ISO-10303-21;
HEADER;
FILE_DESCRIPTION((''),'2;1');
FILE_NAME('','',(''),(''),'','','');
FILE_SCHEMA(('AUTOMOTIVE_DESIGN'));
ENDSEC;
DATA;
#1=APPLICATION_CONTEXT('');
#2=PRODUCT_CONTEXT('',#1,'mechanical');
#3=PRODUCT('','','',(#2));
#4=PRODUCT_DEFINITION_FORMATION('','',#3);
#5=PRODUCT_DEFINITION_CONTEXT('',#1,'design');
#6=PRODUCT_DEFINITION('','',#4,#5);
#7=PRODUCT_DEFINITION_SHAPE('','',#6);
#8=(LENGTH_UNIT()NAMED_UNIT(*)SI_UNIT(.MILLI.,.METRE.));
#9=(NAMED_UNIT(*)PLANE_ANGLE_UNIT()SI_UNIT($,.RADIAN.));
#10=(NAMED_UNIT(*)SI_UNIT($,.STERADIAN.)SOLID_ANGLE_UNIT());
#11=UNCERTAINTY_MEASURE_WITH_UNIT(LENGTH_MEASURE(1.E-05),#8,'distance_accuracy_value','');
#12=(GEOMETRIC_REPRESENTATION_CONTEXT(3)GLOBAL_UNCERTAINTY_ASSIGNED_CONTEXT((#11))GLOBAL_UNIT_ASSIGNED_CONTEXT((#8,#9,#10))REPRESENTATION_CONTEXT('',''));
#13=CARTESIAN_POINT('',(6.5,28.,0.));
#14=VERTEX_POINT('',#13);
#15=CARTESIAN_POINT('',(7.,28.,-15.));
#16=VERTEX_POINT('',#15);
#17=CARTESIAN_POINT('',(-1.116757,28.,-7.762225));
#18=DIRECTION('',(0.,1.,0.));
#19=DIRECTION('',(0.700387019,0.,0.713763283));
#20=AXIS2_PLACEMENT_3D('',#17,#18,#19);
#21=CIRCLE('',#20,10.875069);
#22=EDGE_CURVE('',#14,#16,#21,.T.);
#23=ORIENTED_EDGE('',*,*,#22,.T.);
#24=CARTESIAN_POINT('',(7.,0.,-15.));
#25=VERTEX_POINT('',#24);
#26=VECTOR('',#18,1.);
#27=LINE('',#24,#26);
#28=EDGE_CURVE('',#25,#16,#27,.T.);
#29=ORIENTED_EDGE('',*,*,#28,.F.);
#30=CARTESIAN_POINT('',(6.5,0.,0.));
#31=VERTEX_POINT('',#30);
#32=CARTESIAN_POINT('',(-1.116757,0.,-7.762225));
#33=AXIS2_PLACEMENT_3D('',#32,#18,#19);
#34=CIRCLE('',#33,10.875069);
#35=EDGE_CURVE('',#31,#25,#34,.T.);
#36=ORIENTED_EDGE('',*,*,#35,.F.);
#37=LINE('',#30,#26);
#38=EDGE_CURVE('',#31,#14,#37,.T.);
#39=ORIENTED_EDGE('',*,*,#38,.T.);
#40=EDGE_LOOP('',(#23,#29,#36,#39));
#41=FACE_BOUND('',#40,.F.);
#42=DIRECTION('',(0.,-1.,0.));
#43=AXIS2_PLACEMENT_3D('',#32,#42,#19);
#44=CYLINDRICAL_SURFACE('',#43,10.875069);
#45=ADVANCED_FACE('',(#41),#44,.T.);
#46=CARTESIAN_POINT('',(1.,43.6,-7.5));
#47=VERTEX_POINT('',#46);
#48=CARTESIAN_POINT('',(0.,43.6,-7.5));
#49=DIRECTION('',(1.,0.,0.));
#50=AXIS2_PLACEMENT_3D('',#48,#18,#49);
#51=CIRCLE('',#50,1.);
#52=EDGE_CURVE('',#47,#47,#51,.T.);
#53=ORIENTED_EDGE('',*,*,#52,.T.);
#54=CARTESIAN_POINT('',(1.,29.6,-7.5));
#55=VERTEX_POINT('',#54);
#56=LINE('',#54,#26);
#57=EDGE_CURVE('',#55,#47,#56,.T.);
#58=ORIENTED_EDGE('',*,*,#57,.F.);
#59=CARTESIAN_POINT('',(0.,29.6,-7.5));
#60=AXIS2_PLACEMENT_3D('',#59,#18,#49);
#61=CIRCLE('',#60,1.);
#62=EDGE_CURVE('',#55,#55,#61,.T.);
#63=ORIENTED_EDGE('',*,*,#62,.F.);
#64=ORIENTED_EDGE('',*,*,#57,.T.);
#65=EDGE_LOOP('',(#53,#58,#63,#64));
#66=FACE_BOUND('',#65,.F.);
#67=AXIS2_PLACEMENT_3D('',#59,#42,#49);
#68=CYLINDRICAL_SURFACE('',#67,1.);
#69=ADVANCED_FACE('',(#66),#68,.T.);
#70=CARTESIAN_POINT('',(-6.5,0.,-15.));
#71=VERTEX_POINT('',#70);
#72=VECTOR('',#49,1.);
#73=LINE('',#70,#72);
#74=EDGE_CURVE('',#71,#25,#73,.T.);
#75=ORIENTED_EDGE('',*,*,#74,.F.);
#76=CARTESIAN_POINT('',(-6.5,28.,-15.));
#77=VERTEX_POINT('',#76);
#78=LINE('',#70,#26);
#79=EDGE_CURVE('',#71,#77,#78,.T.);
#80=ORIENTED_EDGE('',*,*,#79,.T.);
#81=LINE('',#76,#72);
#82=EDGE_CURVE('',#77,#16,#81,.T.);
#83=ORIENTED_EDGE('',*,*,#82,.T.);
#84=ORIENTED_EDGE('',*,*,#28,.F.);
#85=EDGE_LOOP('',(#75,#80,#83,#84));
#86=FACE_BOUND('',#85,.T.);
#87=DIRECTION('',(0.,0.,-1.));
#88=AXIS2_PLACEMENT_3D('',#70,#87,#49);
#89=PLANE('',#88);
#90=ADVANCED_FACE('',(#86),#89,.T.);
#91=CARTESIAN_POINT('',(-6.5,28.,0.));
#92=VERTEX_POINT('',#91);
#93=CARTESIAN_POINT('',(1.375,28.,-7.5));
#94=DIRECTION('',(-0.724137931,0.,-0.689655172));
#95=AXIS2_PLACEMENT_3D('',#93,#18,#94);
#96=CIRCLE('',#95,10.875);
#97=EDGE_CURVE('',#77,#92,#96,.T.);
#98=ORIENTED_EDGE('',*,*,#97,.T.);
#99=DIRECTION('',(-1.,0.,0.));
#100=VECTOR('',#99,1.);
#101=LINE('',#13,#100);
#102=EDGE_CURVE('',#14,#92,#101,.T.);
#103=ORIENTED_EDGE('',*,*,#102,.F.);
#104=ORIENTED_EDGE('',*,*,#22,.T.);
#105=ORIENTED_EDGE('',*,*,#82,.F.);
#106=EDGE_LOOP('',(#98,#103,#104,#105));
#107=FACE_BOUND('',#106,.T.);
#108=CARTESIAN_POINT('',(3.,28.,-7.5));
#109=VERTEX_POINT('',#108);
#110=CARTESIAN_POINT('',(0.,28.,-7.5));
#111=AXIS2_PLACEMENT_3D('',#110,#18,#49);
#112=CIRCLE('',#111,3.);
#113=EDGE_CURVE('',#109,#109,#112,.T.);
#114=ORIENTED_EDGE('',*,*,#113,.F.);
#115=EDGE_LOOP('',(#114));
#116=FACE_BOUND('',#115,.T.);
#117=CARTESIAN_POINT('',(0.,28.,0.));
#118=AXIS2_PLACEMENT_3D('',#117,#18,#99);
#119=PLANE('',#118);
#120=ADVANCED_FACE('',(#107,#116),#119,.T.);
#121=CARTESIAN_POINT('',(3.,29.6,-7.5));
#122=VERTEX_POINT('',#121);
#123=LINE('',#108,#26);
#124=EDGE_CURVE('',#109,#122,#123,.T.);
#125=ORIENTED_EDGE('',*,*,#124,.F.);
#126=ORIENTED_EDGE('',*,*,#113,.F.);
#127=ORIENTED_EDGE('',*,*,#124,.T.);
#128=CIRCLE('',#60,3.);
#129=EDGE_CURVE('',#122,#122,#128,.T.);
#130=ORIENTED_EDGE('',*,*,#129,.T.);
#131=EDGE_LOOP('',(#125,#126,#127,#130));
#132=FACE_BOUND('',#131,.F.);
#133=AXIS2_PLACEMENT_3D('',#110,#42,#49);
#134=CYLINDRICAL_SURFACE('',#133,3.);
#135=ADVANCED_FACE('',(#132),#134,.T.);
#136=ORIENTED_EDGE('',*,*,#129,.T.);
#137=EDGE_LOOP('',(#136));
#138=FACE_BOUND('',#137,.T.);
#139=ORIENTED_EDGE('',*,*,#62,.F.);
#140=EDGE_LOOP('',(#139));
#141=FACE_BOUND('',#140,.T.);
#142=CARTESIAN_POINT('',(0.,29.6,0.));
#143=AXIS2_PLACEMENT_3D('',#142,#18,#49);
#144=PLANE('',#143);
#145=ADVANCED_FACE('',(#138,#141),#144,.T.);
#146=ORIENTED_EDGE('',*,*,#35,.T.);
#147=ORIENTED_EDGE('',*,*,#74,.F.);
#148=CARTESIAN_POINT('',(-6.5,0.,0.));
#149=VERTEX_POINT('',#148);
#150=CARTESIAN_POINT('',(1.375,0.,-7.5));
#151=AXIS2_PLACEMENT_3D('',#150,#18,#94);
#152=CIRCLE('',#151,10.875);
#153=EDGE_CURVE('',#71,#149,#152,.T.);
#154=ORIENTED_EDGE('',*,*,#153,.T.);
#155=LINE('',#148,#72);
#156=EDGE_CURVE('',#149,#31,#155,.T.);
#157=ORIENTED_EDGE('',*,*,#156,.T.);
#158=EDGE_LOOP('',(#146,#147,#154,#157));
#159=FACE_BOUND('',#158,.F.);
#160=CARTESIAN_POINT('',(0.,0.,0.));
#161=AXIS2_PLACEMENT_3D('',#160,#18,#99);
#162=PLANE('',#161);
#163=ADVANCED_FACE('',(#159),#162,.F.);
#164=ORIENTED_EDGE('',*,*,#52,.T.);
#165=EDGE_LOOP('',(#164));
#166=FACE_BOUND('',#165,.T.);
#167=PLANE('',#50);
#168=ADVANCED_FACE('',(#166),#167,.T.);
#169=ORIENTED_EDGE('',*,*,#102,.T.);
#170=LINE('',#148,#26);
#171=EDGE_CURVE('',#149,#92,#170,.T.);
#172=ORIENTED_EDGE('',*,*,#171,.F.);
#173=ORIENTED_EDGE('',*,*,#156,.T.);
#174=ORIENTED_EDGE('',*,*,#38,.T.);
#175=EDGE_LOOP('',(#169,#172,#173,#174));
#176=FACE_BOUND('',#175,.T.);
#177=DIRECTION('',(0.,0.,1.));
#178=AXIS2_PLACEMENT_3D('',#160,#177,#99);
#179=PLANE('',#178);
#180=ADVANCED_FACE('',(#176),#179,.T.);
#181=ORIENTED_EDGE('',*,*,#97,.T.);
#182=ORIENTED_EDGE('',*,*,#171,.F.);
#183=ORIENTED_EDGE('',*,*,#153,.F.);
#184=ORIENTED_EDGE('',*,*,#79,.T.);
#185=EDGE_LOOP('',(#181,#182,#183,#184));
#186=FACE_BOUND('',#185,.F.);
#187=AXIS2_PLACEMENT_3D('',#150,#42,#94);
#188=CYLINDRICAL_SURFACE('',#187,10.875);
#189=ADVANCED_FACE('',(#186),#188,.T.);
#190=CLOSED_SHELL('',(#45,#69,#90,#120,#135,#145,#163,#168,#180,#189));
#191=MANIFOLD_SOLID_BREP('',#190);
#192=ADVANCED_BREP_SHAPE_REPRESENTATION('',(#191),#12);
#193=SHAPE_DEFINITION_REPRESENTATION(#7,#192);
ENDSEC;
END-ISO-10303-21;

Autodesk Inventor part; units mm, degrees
ref_plane "YZ Plane" through (0, 0, 0) normal (1, 0, 0) x (0, 1, 0)
ref_plane "XZ Plane" through (0, 0, 0) normal (0, 1, 0) x (-1, 0, 0)
ref_plane "XY Plane" through (0, 0, 0) normal (0, 0, 1) x (1, 0, 0)
sketch "Sketch1" plane through (0, 0, 0) normal (0, 1, 0) x (-1, 0, 0)
  line L0 (0, 0) -> (-6.5, 0)
  line L1 (0, 0) -> (6.5, 0)
  line L2 (6.5, 0) -> (6.5, -15) construction
  line L3 (6.5, -15) -> (-7, -15)
  line L4 (-6.5, 0) -> (-9.5, 0) construction
  line L5 (6.5, 0) -> (9.5, 0) construction
  arc A0 (-6.5, 0) -> (-7, -15) centre (1.1167, -7.7622) ccw
  arc A1 (6.5, -15) -> (6.5, 0) centre (-1.375, -7.5) ccw
  dimension "d0" = 6.5
  dimension "d1" = 6.5
  dimension "d2" = 15
  dimension "d3" = 13.5
  dimension "d4" = 3
  dimension "d5" = 3
extrude "Extrusion1" add sketch "Sketch1" along normal blind 28
sketch "Sketch2" plane through (0, 28, 0) normal (0, 1, 0) x (1, 0, 0)
  line L0 (0, 0) -> (0, 7.5) construction
  circle A0 centre (0, 7.5) radius 3
  dimension "d8" = 7.5
  dimension "d9" = 6
extrude "Extrusion2" add sketch "Sketch2" along normal blind 1.6
sketch "Sketch3" plane through (0, 29.6, -7.5) normal (0, 1, 0) x (1, 0, 0)
  circle A0 centre (0, 0) radius 1
  point P0 (0, -7.5)
  dimension "d12" = 2
extrude "Extrusion3" add sketch "Sketch3" along normal blind 14
properties part number "FläktMotor"
